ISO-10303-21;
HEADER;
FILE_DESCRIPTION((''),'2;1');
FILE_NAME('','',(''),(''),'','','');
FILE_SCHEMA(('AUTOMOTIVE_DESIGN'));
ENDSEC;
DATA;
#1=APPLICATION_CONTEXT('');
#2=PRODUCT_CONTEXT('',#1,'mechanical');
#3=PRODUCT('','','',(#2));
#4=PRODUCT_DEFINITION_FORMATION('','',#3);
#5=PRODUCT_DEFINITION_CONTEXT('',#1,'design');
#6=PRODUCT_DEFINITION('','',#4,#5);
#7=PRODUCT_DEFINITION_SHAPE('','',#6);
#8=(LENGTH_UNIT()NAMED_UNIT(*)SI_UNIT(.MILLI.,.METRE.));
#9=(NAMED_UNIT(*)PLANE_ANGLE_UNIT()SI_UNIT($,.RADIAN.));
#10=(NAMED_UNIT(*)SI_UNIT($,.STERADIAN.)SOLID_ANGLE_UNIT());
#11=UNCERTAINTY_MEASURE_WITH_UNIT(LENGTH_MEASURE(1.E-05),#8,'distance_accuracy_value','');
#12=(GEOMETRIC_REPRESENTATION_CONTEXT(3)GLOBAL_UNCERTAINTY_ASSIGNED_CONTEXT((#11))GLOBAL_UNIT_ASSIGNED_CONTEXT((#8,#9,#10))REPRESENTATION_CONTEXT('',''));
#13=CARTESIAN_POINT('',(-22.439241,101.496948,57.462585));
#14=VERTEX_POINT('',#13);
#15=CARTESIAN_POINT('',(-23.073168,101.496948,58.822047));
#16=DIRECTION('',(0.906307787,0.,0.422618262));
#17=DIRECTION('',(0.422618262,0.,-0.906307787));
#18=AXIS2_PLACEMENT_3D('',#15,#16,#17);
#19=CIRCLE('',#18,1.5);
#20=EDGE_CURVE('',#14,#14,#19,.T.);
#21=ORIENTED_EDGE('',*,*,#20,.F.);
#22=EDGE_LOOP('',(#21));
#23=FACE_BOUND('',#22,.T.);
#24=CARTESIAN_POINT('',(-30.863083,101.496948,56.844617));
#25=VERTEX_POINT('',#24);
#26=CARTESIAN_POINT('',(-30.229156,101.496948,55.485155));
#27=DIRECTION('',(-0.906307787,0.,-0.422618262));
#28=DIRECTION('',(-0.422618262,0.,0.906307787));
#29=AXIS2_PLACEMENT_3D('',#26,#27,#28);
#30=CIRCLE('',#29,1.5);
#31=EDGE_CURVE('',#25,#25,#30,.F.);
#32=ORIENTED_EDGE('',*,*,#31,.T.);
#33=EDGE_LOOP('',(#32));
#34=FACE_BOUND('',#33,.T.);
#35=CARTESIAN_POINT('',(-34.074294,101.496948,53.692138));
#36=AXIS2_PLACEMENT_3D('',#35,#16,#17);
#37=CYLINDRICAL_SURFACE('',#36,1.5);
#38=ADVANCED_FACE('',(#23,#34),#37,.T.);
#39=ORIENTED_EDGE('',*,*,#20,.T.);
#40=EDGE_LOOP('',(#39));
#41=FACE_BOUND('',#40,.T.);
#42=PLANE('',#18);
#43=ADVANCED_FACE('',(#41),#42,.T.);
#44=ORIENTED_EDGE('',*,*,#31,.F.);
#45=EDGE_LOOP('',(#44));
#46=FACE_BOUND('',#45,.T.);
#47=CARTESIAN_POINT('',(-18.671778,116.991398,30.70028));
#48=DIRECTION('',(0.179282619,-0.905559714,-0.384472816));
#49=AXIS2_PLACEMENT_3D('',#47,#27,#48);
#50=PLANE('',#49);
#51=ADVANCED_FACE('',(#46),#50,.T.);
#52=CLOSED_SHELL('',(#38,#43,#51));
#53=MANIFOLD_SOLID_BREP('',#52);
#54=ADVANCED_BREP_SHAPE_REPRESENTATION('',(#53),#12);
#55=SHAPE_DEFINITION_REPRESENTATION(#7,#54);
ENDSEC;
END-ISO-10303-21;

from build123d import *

# Parameters (mm, degrees)
SKETCH1_R           = 1.5
BOSS_EXTRUDE1_DEPTH = 7.89575828


with BuildPart() as part:
    # Sketch1 → Boss-Extrude1 (new body)
    with BuildSketch(Plane(origin=(3.577993607, 0, 1.66844582), x_dir=(0.42261826174070866, 6.523089282898395e-15, -0.9063077870366457), z_dir=(0.9063077870366457, 1.3988810110276972e-14, 0.42261826174070866))):
        with Locations((-63.062021603, 101.496948087)):
            Circle(SKETCH1_R)
    extrude(amount=-BOSS_EXTRUDE1_DEPTH)


solid = part.part
